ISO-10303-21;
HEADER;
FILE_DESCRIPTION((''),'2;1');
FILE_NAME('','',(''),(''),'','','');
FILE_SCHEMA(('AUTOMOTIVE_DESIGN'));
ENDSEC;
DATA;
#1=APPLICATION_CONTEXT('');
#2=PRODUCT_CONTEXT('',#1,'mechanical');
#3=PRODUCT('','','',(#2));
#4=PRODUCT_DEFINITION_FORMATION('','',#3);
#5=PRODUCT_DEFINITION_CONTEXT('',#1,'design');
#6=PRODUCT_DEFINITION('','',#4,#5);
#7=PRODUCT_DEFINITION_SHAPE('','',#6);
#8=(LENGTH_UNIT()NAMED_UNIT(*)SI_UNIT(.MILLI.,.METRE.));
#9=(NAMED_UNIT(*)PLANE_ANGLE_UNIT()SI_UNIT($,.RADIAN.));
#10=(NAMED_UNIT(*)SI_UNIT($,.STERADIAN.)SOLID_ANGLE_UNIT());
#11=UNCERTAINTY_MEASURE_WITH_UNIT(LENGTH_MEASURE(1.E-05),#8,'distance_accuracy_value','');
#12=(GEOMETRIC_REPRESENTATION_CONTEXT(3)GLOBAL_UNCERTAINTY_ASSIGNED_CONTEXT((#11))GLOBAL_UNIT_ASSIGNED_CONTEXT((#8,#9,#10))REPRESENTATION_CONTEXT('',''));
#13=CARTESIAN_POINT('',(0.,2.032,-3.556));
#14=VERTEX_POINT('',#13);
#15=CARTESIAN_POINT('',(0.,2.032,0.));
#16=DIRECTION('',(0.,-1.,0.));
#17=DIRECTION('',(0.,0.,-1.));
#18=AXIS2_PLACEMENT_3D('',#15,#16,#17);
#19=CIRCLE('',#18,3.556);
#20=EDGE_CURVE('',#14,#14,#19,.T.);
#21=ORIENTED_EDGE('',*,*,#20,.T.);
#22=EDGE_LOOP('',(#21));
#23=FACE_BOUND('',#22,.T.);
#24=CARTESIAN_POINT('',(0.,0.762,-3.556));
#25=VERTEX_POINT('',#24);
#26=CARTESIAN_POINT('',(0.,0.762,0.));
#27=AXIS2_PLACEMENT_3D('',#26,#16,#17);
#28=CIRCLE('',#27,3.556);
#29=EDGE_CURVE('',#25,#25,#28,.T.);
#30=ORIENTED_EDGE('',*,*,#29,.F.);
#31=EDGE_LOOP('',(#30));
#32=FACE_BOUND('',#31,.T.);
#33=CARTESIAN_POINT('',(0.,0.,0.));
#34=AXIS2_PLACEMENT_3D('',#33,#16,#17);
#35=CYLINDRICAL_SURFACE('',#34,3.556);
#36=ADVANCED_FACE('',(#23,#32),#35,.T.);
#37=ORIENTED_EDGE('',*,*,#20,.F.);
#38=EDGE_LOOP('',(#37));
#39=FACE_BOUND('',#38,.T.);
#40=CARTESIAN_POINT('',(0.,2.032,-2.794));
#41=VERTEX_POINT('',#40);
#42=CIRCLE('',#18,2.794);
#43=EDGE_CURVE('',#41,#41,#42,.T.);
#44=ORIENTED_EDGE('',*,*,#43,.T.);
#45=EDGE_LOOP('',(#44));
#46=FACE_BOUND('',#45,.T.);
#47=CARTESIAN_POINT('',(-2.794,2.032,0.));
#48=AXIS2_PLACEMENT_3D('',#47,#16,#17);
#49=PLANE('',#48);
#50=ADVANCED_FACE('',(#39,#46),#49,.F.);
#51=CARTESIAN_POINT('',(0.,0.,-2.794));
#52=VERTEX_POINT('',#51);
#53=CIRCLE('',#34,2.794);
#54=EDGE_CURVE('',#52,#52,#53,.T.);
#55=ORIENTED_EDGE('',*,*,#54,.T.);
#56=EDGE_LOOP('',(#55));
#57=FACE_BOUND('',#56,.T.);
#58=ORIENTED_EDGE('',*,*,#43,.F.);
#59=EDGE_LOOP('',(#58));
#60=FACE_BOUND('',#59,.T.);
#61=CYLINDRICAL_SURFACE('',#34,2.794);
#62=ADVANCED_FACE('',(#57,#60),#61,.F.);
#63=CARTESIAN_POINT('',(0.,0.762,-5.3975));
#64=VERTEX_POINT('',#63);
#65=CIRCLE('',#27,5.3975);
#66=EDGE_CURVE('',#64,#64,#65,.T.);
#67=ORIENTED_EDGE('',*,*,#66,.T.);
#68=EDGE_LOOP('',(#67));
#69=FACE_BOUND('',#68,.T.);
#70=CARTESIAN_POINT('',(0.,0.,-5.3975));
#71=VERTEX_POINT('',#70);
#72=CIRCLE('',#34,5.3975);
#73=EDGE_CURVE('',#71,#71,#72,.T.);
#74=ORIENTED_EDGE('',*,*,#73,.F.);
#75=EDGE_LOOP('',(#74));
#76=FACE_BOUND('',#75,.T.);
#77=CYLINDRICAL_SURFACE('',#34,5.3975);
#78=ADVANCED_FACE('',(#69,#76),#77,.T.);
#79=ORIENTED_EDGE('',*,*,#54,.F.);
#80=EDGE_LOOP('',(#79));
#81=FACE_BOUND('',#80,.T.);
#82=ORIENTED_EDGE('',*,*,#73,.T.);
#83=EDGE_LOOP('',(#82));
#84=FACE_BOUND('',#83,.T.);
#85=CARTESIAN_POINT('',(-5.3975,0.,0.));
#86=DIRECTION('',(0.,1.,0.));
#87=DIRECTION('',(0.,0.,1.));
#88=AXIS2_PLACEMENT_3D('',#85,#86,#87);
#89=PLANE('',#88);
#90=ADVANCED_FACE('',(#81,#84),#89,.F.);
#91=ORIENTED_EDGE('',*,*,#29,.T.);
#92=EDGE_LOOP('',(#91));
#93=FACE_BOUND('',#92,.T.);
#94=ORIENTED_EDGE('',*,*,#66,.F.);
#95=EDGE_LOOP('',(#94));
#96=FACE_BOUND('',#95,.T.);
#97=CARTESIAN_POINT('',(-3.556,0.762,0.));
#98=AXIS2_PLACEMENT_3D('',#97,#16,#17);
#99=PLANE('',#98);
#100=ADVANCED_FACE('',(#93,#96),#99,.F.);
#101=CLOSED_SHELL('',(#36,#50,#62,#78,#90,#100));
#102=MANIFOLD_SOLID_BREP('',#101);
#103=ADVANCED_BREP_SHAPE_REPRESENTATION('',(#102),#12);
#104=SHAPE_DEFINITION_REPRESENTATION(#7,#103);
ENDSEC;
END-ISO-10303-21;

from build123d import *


with BuildPart() as part:
    # Sketch1 → Revolve1 (revolve)
    with BuildSketch(Plane.XY, mode=Mode.PRIVATE) as revolve1_sk:
        Polygon((-2.794, 0), (-2.794, 2.032), (-3.556, 2.032), (-3.556, 0.762), (-5.3975, 0.762), (-5.3975, 0), align=None)
    revolve(revolve1_sk.sketch.rotate(Axis((0, 0, 0), (0, 1, 0)), 270), axis=Axis((0, 0, 0), (0, 1, 0)))


solid = part.part
